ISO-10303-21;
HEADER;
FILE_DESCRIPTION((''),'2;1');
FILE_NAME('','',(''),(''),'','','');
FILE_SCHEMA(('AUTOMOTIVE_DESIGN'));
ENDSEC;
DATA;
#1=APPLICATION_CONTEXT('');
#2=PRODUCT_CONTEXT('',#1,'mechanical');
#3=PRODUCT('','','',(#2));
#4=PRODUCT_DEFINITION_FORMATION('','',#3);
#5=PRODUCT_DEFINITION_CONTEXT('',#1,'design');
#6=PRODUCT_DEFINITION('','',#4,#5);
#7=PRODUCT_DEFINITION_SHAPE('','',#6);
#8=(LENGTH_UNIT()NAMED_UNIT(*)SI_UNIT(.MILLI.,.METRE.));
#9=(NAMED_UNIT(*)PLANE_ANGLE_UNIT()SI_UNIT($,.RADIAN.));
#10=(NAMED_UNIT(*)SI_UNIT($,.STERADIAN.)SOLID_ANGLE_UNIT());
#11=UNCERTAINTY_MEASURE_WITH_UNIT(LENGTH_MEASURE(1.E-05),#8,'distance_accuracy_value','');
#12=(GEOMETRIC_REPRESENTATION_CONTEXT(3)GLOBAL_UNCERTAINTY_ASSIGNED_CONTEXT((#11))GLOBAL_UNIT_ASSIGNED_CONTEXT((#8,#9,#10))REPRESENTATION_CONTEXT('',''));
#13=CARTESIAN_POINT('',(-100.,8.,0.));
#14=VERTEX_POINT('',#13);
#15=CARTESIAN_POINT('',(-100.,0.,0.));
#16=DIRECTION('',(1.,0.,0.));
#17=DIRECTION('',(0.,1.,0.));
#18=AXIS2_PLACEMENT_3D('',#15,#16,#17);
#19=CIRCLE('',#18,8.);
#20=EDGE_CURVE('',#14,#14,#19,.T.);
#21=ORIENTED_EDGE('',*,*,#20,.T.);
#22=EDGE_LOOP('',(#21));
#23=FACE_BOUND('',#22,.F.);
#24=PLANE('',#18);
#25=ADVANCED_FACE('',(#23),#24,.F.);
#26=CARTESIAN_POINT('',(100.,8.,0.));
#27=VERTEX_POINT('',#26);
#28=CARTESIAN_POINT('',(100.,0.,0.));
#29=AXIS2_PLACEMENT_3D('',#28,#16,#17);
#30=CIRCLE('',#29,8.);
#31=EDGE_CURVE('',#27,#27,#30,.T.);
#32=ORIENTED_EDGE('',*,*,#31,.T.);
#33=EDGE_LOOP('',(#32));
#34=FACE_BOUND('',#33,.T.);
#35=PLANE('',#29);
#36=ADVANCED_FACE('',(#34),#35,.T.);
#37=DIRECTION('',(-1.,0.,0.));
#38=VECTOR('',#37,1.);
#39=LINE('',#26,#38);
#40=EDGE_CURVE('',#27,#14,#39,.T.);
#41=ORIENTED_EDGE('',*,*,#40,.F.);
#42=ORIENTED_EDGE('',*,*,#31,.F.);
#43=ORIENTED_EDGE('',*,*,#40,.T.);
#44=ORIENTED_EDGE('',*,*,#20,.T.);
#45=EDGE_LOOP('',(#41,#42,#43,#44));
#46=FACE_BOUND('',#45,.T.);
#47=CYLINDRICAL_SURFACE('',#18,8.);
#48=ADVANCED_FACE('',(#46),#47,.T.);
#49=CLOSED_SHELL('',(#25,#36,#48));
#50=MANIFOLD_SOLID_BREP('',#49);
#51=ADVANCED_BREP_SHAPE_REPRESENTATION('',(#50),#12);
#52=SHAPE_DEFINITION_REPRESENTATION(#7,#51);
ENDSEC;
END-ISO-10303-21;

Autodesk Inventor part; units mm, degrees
ref_plane "YZ Plane" through (0, 0, 0) normal (1, 0, 0) x (0, 1, 0)
ref_plane "XZ Plane" through (0, 0, 0) normal (0, 1, 0) x (-1, 0, 0)
sketch "Эскиз1" plane through (0, 0, 0) normal (0, 0, 1) x (1, 0, 0)
  line L0 (100, 8) -> (100, 0)
  line L1 (-100, 0) -> (100, 0)
  line L2 (-140, 0) -> (140, 0) projected
  line L3 (0, 9.6) -> (0, -1.6) projected
  line L4 (-100, 8) -> (-100, 0)
  line L5 (0, 8) -> (0, 0) construction
  line L6 (-140, 0) -> (140, 0) projected
  line L7 (-100, 8) -> (100, 8)
  dimension "d13" = 16
  dimension "d87" = 200
  dimension "d88" = 100
revolve "Базовый элемент" add sketch "Эскиз1" angle 360 about axis through (-100, 0, 0) along (1, 0, 0)
thread "Резьба1" size "M16x1.5" class "6g" standard "ISO Metric profile" length 200
ref_plane "Work Plane1" through (2.75, 0, 0) normal (0, -1, 0) x (1, 0, 0)
equation "\"d13\" = NND"
equation "\"d87\" = NLG"
equation "\"d88\" = 0.5 * NLG"
equation "\"d1\" = GEL"
equation "\"NLG\" = 200"
equation "\"GEL\" = NLG"
equation "\"GAL\" = 0.61345 * PTC"
equation "\"SPD\" = 13.93"
equation "\"d0\" = NND"
equation "\"GUL\" = 0.61345 * PTC"
equation "\"NND\" = 16"
equation "\"GUL1\" = GUL"
equation "\"GAL1\" = GAL"
equation "\"d89\" = -GEL + GUL1"
equation "\"d90\" = -GUL - GEL"
equation "\"PTC\" = 1.5"
equation "\"THREADDIA\" = 16"
equation "\"TOA\" = 30deg"
equation "\"GD1\" = THREADDIA - 1.2269 * PTC"
properties part number "DIN 976-1 - M16 x 1,5 x 200 - A" material "Сталь, мягкая"
